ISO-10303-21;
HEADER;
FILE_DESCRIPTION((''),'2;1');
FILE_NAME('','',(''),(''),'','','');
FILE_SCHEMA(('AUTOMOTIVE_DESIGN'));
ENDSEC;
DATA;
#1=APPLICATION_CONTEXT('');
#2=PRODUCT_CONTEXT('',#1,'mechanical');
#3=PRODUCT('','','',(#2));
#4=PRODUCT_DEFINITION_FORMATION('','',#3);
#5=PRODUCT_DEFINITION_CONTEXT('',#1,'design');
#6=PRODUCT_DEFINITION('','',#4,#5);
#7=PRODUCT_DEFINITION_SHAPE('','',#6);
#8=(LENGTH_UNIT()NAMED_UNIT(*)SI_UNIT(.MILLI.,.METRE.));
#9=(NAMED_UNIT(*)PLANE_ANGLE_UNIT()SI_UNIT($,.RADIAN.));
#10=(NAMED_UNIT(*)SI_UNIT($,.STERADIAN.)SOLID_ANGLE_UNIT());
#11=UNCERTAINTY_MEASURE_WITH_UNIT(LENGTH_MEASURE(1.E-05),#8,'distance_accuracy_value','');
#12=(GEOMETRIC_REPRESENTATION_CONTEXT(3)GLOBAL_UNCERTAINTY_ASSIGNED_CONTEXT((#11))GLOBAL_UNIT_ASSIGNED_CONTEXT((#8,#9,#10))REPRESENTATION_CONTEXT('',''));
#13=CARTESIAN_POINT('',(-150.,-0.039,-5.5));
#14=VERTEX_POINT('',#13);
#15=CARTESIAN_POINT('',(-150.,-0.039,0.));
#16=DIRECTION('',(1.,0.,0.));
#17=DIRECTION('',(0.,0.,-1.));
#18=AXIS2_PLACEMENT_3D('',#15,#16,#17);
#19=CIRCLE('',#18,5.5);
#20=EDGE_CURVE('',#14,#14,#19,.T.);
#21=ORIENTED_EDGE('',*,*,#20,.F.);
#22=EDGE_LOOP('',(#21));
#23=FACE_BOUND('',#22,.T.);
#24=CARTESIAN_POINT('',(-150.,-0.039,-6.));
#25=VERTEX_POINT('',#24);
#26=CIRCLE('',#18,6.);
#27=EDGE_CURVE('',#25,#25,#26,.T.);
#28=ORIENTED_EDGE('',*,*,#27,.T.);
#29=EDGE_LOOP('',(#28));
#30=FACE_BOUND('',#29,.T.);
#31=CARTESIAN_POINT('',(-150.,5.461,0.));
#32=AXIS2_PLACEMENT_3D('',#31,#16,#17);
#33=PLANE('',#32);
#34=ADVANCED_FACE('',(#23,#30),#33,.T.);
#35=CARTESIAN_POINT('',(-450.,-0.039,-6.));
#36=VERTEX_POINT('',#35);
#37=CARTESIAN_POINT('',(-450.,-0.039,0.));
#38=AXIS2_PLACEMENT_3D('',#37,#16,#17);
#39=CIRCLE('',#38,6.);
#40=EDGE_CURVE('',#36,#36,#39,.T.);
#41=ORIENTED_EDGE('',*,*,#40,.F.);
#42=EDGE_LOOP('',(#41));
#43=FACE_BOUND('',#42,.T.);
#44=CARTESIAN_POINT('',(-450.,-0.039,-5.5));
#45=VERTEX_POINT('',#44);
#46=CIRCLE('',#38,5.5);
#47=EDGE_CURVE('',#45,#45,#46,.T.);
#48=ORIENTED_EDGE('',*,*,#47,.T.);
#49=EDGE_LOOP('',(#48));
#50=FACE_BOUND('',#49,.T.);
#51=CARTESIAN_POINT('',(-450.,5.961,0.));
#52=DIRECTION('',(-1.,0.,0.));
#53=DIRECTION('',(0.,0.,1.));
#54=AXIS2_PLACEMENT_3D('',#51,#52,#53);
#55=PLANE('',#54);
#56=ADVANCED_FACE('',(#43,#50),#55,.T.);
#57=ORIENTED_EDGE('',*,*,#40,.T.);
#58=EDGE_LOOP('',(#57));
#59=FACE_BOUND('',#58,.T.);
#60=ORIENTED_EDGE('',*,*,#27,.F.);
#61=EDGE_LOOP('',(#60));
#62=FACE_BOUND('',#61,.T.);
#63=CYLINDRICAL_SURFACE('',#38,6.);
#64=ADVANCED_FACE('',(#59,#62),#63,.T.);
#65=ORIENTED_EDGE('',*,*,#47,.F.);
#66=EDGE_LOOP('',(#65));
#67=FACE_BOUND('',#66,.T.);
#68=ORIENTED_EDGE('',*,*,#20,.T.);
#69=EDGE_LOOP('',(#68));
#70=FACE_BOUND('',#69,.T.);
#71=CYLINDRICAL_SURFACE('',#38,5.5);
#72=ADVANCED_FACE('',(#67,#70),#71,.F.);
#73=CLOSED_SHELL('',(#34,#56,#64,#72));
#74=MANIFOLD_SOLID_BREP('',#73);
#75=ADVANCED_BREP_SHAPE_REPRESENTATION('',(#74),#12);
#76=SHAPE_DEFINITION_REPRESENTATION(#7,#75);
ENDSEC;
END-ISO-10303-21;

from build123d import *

# Parameters (mm, degrees)
SKETCH_1_W = 300
SKETCH_1_H = 0.5


with BuildPart() as part:
    # 草图1 → 旋转1 (revolve)
    with BuildSketch(Plane.XY):
        with Locations((-300, 5.711)):
            Rectangle(SKETCH_1_W, SKETCH_1_H)
    revolve(axis=Axis((-450, -0.039, 0), (1, 0, 0)))


solid = part.part
